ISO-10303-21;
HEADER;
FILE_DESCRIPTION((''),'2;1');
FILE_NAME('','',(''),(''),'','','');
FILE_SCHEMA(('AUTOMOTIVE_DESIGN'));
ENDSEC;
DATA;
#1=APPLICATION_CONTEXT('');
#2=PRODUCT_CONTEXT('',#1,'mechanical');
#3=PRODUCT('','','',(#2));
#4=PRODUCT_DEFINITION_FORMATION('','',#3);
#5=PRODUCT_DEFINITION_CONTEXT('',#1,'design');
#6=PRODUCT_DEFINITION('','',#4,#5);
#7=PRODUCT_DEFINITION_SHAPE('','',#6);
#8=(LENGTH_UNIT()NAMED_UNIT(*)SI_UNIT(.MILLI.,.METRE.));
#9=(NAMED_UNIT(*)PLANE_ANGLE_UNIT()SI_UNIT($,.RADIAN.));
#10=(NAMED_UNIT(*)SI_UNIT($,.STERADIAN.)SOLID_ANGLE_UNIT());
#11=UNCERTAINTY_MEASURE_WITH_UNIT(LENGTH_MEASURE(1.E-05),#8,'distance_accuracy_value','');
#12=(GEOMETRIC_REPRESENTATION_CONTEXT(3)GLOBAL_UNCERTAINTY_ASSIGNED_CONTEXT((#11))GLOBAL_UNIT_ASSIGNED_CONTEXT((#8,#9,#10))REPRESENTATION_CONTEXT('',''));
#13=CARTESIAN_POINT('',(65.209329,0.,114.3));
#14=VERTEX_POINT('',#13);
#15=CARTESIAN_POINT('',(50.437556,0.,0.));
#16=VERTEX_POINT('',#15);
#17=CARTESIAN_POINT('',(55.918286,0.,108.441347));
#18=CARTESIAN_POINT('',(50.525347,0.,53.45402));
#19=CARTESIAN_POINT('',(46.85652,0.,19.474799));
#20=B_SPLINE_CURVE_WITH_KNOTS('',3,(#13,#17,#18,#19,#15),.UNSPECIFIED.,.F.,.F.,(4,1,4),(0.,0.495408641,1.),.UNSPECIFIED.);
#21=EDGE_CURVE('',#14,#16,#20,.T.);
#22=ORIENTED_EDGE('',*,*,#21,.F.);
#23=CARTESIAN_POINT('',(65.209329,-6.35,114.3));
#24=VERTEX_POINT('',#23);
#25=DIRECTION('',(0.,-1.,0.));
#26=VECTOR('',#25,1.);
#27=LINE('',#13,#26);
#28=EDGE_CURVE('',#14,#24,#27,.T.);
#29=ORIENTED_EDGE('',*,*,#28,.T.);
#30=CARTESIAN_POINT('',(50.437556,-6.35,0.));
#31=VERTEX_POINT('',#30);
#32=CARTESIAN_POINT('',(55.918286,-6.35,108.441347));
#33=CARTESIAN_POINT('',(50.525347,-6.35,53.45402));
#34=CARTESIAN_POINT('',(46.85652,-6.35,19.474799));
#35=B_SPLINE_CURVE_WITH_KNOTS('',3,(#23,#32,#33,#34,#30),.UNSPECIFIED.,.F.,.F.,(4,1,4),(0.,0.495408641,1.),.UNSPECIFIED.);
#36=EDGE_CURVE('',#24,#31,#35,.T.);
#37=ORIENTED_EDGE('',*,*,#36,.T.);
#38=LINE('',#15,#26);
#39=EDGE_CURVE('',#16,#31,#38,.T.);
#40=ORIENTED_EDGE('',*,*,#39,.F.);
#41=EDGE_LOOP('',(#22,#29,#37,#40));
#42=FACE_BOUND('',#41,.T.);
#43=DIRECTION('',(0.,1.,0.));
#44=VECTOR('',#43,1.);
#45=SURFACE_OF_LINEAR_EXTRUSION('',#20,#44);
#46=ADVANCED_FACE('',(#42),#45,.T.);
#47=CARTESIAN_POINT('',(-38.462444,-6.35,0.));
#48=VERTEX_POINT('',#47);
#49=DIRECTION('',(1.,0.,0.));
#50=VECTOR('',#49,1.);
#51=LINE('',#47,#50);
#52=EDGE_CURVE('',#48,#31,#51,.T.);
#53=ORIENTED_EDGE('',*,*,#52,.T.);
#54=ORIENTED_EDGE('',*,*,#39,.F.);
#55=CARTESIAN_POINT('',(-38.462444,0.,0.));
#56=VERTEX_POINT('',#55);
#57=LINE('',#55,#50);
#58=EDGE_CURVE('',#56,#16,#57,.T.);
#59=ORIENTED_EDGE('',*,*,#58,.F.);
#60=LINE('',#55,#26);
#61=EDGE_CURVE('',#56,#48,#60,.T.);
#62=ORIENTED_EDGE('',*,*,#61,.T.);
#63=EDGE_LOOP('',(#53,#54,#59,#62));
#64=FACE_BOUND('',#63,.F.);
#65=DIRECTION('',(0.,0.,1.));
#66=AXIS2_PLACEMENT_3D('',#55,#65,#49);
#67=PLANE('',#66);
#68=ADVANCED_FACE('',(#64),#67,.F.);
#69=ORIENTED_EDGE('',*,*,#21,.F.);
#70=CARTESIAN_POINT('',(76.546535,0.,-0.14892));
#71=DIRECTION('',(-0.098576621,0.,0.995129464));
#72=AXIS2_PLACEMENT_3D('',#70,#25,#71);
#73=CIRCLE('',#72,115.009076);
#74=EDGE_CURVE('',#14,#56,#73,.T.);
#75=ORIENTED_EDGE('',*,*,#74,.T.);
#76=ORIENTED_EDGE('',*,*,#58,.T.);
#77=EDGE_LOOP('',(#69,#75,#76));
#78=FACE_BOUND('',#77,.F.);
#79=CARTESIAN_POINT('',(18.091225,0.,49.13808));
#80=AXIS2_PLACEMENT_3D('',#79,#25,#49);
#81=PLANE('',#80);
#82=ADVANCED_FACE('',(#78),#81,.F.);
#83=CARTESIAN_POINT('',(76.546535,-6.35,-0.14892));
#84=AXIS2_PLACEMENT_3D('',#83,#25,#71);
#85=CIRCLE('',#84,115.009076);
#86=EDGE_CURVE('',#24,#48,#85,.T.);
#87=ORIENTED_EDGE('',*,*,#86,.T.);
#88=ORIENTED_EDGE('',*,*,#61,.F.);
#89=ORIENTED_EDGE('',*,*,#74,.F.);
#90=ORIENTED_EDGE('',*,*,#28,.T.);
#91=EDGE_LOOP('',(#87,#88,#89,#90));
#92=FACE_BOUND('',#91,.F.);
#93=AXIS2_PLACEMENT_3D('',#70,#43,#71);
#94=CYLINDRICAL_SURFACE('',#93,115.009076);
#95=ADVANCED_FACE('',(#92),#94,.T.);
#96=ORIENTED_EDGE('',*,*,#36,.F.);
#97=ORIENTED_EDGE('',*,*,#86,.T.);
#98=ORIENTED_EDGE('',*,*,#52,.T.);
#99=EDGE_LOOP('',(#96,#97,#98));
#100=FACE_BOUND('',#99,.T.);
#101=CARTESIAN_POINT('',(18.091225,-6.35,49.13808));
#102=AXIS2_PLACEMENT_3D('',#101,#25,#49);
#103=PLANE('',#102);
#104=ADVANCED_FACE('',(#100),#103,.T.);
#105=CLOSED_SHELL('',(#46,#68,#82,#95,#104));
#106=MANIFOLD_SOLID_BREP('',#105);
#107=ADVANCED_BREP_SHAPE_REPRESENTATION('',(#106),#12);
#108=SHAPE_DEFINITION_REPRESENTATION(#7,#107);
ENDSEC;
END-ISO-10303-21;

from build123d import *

# Parameters (mm, degrees)
F1_DEPTH = 6.35


with BuildPart() as f1:
    # F0 (on Front) → F1 (new body)
    with BuildSketch(Plane.XZ):
        with BuildLine():
            ThreePointArc((65.2093291283, 114.3), (-8.6412700381, 77.1176664566), (-38.4624444826, 0))
            Line((-38.4624444826, 0), (50.4375555174, 0))
            add(Edge.make_bspline(
                [(65.2093291283, 114.3), (55.9182864292, 108.4413465129), (50.5253468289, 53.4540198134), (46.8565200159, 19.4747992177), (50.4375555174, 0)],
                knots=[0, 0, 0, 0, 0.4954086412, 1, 1, 1, 1], degree=3))
        make_face()
    extrude(amount=F1_DEPTH)


solid = f1.part
